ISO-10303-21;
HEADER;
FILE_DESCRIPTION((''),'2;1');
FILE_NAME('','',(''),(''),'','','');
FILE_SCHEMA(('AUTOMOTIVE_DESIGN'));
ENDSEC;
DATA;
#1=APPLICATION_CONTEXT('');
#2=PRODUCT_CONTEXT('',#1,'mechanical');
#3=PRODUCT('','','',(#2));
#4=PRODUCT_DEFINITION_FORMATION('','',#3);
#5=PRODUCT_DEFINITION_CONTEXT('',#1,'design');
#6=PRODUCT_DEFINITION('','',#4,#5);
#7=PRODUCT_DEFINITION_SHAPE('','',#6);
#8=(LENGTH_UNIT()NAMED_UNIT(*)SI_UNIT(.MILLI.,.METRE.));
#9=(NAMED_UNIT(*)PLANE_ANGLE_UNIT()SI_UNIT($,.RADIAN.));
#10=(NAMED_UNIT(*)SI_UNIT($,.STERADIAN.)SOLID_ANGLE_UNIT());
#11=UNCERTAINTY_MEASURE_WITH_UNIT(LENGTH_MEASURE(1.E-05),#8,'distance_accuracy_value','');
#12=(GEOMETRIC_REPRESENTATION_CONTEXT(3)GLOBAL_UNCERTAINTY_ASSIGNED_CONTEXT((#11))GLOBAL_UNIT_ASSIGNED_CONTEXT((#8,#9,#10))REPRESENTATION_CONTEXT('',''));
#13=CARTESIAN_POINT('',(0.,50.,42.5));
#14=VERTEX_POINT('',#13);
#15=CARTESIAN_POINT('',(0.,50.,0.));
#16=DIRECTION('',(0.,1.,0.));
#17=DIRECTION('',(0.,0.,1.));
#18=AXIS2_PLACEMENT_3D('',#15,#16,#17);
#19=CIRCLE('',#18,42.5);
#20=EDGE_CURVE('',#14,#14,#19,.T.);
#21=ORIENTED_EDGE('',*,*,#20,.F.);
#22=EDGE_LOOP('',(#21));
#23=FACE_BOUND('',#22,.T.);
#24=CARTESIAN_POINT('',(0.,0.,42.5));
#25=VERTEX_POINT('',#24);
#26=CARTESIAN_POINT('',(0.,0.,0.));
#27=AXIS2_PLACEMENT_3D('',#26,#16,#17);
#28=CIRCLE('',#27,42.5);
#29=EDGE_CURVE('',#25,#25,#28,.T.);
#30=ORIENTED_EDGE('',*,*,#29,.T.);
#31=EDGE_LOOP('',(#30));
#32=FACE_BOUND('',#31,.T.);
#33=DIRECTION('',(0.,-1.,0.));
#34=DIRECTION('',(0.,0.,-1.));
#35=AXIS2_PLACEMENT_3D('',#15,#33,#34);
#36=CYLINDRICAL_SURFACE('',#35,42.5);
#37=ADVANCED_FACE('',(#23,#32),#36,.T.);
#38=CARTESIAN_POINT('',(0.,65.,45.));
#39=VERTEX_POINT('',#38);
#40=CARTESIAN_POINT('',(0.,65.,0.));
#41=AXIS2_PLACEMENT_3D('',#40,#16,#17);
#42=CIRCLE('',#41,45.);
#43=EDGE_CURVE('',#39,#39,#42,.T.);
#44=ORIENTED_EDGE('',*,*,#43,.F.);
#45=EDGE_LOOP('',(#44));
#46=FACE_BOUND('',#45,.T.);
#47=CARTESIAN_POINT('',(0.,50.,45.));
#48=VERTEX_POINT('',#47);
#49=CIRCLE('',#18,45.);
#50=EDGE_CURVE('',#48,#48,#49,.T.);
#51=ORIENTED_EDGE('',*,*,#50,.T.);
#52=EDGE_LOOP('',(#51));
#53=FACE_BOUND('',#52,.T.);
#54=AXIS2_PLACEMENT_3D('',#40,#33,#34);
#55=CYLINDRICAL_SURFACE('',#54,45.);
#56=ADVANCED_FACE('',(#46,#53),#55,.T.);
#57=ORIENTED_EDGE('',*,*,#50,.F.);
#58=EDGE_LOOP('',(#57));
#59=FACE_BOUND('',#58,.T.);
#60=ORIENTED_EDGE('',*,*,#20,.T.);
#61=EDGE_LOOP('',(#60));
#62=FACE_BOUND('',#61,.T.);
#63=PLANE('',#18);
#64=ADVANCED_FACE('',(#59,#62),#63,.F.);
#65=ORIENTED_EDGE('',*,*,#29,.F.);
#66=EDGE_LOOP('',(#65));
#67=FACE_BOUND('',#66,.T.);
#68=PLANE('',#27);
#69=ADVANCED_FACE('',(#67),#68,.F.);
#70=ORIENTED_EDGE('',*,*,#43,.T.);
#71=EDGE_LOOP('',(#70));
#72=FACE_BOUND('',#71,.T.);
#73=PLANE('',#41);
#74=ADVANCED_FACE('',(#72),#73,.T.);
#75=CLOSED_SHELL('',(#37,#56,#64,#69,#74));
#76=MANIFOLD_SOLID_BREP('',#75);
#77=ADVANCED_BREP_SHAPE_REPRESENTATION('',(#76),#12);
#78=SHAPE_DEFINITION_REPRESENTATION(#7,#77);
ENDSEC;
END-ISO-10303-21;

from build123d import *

# Parameters (mm, degrees)
SKETCH1_R           = 42.5
BOSS_EXTRUDE1_DEPTH = 50
SKETCH2_R           = 45
BOSS_EXTRUDE2_DEPTH = 15


with BuildPart() as part:
    # Sketch1 → Boss-Extrude1 (new body)
    with BuildSketch(Plane(origin=(0, 0, 0), x_dir=(1, 0, 0), z_dir=(0, 1, 0))):
        Circle(SKETCH1_R)
    extrude(amount=BOSS_EXTRUDE1_DEPTH)

    # Sketch2 → Boss-Extrude2 (add)
    with BuildSketch(Plane(origin=(0, 50, 0), x_dir=(1, 0, 0), z_dir=(0, 1, 0))):
        Circle(SKETCH2_R)
    extrude(amount=BOSS_EXTRUDE2_DEPTH)


solid = part.part
